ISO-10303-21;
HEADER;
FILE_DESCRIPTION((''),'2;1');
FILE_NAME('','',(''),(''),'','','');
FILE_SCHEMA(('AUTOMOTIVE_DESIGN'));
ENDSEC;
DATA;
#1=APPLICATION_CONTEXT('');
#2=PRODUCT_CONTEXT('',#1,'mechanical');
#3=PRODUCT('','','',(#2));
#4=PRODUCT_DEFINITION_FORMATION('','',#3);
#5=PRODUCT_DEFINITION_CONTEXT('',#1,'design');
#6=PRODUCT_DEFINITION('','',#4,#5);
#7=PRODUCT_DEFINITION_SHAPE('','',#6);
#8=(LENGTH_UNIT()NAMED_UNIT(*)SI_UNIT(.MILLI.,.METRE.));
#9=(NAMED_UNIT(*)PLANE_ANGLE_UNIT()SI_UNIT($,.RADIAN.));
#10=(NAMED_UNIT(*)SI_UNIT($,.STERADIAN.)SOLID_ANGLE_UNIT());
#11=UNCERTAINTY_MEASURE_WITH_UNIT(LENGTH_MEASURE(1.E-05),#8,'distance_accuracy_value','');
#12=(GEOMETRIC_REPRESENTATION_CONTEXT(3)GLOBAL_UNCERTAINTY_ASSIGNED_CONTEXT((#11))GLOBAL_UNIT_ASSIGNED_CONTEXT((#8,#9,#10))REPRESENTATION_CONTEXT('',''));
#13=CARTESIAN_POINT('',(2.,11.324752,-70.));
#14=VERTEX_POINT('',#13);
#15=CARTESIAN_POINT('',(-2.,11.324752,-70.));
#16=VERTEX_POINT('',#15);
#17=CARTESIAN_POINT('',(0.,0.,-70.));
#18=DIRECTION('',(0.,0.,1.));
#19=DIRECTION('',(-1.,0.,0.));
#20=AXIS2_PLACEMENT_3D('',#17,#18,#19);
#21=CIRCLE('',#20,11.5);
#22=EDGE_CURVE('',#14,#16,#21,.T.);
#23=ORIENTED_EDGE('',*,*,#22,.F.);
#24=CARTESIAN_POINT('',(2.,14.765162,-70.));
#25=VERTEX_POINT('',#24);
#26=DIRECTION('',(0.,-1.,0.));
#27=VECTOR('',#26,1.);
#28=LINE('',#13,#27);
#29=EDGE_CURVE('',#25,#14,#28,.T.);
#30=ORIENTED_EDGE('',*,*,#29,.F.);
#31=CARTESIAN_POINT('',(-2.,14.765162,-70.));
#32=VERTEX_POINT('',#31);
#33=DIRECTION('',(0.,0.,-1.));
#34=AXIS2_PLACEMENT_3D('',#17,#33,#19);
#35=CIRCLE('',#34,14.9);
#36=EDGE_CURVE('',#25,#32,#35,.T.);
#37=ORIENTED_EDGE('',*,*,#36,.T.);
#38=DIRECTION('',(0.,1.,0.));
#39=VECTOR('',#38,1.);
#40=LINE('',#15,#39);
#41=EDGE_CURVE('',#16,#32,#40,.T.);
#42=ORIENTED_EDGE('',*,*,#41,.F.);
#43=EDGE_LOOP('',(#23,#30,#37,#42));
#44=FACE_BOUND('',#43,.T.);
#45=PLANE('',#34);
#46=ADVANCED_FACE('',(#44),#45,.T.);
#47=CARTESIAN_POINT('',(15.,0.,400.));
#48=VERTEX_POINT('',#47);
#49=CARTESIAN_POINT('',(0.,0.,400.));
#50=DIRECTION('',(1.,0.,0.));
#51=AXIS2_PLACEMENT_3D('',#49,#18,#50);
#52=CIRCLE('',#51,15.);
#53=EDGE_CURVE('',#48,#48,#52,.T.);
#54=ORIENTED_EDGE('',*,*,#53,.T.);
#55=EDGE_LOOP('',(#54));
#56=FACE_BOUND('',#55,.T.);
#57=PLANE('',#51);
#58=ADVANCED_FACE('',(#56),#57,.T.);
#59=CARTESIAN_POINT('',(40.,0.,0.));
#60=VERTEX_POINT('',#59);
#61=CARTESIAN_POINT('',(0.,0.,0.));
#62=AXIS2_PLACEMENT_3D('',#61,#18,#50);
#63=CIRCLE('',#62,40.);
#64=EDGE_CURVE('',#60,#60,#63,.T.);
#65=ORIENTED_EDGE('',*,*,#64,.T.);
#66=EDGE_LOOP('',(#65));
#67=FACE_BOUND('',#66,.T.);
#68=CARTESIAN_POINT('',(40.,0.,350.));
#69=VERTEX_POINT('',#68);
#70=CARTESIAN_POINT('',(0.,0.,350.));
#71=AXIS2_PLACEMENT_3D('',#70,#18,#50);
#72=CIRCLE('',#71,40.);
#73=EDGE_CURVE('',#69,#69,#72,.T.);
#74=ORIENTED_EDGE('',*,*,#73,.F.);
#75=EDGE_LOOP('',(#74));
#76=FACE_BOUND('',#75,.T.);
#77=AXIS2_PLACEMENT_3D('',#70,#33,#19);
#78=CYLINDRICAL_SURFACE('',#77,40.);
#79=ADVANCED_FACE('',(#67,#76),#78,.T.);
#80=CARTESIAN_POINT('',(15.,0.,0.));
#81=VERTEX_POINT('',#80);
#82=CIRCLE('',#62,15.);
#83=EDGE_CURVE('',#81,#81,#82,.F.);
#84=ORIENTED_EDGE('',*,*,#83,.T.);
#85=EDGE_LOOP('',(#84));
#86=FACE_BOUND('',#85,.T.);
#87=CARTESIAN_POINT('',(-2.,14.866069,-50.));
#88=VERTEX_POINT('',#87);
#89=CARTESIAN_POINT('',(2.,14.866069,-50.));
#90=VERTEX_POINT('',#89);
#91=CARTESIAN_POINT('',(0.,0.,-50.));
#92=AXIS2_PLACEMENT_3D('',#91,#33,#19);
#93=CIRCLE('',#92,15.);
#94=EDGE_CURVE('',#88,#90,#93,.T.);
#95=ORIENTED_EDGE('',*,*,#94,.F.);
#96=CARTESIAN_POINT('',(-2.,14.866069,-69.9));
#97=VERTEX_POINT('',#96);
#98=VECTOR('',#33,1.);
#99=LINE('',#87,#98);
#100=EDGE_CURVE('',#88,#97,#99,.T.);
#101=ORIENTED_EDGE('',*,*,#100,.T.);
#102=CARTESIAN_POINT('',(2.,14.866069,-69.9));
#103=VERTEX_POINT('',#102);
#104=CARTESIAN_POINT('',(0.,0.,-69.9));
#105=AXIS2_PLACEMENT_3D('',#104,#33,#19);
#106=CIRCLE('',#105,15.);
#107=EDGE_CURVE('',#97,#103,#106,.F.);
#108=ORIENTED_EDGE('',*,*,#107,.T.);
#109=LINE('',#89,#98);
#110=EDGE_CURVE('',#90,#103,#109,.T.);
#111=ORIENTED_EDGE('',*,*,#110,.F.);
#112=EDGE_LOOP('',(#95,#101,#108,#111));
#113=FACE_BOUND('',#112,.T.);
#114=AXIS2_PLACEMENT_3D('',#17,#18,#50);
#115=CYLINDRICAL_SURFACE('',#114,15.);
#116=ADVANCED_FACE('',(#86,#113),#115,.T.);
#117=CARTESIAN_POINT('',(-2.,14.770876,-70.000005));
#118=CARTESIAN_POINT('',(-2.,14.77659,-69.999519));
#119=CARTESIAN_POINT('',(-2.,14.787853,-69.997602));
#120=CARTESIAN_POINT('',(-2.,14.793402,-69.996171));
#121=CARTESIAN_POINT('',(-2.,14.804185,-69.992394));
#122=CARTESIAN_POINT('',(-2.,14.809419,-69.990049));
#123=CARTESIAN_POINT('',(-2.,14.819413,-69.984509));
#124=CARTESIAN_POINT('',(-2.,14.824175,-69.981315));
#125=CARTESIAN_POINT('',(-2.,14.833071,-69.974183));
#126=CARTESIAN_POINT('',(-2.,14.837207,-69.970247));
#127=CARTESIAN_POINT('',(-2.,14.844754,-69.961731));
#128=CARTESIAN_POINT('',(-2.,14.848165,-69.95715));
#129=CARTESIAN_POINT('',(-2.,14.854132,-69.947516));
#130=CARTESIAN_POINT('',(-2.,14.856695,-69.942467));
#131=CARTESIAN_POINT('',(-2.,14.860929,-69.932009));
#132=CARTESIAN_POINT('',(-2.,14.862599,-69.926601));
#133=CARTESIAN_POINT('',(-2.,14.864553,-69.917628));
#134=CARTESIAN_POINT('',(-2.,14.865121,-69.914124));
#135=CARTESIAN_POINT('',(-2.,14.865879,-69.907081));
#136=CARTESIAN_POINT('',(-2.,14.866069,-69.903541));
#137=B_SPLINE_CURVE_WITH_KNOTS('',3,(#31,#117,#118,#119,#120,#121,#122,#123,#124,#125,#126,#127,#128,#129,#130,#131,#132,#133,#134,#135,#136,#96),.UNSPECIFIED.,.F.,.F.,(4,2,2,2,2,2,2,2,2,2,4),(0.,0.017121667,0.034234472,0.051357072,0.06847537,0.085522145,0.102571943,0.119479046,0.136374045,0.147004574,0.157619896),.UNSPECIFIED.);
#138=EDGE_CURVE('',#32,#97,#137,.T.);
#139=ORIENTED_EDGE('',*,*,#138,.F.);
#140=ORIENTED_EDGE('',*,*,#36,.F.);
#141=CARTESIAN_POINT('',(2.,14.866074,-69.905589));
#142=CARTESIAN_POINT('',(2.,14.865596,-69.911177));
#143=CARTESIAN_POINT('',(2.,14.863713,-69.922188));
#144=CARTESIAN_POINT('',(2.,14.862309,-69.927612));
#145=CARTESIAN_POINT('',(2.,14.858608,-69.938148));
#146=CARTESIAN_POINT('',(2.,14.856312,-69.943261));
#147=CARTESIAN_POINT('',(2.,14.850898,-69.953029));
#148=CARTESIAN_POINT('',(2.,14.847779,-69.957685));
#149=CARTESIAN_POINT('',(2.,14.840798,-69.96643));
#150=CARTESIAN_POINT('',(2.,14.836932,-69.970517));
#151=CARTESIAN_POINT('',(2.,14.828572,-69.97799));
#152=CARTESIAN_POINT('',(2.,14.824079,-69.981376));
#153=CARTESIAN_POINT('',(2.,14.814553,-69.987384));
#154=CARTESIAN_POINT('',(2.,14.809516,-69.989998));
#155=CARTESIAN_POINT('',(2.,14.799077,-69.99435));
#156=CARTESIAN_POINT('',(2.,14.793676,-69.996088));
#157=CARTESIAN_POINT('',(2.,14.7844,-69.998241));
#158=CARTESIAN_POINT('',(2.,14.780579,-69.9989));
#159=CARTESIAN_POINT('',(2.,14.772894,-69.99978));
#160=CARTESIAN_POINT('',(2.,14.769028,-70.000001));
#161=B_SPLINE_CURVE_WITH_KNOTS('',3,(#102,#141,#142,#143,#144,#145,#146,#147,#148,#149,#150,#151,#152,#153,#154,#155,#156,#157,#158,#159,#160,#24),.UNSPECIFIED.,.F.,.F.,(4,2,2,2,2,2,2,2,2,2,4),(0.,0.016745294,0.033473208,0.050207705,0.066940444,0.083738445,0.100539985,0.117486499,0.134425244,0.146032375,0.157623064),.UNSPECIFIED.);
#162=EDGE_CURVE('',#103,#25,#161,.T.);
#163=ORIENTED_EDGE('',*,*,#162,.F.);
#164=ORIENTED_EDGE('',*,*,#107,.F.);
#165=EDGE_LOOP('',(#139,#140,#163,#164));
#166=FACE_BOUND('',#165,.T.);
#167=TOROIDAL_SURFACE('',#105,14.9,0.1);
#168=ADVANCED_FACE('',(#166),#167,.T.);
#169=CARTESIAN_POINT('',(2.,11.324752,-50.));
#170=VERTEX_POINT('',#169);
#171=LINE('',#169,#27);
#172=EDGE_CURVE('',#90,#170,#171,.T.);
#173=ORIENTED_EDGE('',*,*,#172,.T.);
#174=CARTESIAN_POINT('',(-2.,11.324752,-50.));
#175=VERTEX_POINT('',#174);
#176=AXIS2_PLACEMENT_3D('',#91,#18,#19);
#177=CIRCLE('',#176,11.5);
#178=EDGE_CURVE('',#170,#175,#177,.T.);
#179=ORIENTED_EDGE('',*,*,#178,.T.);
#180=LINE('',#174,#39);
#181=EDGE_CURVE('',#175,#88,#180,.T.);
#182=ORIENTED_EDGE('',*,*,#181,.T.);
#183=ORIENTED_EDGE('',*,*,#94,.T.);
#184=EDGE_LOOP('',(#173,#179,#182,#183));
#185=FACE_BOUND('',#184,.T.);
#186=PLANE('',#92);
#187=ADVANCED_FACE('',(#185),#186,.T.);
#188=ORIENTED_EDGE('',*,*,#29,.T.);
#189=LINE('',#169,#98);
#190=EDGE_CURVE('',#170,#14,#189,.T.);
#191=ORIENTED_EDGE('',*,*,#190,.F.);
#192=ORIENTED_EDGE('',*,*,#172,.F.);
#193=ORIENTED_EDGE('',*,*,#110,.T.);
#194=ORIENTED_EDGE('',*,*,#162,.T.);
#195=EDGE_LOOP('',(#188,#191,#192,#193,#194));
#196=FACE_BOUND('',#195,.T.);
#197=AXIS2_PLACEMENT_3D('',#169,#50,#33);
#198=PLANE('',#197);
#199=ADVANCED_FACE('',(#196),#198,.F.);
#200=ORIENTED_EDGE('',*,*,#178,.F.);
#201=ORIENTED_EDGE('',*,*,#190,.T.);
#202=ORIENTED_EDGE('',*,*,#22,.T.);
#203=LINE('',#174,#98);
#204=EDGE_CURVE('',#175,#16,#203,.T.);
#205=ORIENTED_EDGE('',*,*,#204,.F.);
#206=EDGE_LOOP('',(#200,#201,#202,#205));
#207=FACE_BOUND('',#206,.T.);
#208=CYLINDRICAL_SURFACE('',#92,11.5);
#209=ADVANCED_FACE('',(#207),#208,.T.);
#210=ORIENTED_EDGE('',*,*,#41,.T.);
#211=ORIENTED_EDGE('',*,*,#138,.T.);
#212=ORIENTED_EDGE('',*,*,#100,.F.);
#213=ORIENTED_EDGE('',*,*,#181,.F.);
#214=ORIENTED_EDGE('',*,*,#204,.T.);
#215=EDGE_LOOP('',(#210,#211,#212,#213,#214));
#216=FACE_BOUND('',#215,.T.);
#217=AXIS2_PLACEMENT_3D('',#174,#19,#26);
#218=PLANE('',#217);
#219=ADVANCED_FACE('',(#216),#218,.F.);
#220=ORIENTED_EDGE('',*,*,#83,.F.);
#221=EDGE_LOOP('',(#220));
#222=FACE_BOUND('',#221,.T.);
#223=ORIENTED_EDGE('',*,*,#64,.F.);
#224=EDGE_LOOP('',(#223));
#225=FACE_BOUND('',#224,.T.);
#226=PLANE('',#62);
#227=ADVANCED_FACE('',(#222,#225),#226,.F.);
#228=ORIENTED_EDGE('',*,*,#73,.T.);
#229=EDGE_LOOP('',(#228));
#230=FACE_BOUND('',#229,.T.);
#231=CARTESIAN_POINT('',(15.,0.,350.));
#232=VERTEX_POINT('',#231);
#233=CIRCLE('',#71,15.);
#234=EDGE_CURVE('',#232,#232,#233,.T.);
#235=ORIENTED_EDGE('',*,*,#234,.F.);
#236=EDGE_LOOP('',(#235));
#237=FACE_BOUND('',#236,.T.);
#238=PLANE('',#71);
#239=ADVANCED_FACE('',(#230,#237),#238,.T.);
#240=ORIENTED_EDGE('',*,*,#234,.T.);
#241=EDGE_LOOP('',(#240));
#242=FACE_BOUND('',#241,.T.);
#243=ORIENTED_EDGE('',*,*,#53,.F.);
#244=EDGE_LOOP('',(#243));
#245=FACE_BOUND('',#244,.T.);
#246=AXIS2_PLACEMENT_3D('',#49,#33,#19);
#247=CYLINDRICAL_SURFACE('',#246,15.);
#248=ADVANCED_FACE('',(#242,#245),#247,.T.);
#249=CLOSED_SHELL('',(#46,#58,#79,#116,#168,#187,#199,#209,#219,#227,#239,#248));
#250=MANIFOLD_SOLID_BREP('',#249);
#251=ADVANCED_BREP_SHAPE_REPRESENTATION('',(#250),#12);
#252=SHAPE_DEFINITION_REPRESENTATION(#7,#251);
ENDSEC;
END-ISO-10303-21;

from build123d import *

# Parameters (mm, degrees)
SKETCH1_R           = 40
BOSS_EXTRUDE1_DEPTH = 350
SKETCH2_R           = 15
BOSS_EXTRUDE2_DEPTH = 50
BOSS_EXTRUDE4_START = 70
SKETCH4_R           = 15
BOSS_EXTRUDE4_DEPTH = 70
CUT_EXTRUDE1_DEPTH  = 20
FILLET2_R           = 0.1


with BuildPart() as part:
    # Sketch1 → Boss-Extrude1 (new body)
    with BuildSketch(Plane.XY):
        Circle(SKETCH1_R)
    extrude(amount=BOSS_EXTRUDE1_DEPTH)

    # Sketch2 → Boss-Extrude2 (add)
    with BuildSketch(Plane.XY.offset(350)):
        Circle(SKETCH2_R)
    extrude(amount=BOSS_EXTRUDE2_DEPTH)

    # Sketch4 → Boss-Extrude4 (add)
    with BuildSketch(Plane(origin=(0, 0, 0), x_dir=(-1, 0, 0), z_dir=(0, 0, -1)).offset(BOSS_EXTRUDE4_START)):
        with Locations(Location((0, 0, 0), (0, 0, 180))):
            Circle(SKETCH4_R)
    extrude(amount=-BOSS_EXTRUDE4_DEPTH)

    # Sketch5 → Cut-Extrude1 (cut)
    with BuildSketch(Plane(origin=(0, 0, -70), x_dir=(-1, 0, 0), z_dir=(0, 0, -1))):
        with BuildLine():
            Line((-2, 11.324751653), (-2, 14.866068747))
            ThreePointArc((-2, 14.866068747), (0, 15), (2, 14.866068747))
            Line((2, 14.866068747), (2, 11.324751653))
            ThreePointArc((2, 11.324751653), (0, 11.5), (-2, 11.324751653))
        make_face()
    extrude(amount=-CUT_EXTRUDE1_DEPTH, mode=Mode.SUBTRACT)

    # Fillet2
    fillet2_edges = [part.edges().sort_by_distance(p)[0] for p in [
        (-9.874208829, -11.291589791, -70),
    ]]
    fillet(fillet2_edges, radius=FILLET2_R)


solid = part.part
